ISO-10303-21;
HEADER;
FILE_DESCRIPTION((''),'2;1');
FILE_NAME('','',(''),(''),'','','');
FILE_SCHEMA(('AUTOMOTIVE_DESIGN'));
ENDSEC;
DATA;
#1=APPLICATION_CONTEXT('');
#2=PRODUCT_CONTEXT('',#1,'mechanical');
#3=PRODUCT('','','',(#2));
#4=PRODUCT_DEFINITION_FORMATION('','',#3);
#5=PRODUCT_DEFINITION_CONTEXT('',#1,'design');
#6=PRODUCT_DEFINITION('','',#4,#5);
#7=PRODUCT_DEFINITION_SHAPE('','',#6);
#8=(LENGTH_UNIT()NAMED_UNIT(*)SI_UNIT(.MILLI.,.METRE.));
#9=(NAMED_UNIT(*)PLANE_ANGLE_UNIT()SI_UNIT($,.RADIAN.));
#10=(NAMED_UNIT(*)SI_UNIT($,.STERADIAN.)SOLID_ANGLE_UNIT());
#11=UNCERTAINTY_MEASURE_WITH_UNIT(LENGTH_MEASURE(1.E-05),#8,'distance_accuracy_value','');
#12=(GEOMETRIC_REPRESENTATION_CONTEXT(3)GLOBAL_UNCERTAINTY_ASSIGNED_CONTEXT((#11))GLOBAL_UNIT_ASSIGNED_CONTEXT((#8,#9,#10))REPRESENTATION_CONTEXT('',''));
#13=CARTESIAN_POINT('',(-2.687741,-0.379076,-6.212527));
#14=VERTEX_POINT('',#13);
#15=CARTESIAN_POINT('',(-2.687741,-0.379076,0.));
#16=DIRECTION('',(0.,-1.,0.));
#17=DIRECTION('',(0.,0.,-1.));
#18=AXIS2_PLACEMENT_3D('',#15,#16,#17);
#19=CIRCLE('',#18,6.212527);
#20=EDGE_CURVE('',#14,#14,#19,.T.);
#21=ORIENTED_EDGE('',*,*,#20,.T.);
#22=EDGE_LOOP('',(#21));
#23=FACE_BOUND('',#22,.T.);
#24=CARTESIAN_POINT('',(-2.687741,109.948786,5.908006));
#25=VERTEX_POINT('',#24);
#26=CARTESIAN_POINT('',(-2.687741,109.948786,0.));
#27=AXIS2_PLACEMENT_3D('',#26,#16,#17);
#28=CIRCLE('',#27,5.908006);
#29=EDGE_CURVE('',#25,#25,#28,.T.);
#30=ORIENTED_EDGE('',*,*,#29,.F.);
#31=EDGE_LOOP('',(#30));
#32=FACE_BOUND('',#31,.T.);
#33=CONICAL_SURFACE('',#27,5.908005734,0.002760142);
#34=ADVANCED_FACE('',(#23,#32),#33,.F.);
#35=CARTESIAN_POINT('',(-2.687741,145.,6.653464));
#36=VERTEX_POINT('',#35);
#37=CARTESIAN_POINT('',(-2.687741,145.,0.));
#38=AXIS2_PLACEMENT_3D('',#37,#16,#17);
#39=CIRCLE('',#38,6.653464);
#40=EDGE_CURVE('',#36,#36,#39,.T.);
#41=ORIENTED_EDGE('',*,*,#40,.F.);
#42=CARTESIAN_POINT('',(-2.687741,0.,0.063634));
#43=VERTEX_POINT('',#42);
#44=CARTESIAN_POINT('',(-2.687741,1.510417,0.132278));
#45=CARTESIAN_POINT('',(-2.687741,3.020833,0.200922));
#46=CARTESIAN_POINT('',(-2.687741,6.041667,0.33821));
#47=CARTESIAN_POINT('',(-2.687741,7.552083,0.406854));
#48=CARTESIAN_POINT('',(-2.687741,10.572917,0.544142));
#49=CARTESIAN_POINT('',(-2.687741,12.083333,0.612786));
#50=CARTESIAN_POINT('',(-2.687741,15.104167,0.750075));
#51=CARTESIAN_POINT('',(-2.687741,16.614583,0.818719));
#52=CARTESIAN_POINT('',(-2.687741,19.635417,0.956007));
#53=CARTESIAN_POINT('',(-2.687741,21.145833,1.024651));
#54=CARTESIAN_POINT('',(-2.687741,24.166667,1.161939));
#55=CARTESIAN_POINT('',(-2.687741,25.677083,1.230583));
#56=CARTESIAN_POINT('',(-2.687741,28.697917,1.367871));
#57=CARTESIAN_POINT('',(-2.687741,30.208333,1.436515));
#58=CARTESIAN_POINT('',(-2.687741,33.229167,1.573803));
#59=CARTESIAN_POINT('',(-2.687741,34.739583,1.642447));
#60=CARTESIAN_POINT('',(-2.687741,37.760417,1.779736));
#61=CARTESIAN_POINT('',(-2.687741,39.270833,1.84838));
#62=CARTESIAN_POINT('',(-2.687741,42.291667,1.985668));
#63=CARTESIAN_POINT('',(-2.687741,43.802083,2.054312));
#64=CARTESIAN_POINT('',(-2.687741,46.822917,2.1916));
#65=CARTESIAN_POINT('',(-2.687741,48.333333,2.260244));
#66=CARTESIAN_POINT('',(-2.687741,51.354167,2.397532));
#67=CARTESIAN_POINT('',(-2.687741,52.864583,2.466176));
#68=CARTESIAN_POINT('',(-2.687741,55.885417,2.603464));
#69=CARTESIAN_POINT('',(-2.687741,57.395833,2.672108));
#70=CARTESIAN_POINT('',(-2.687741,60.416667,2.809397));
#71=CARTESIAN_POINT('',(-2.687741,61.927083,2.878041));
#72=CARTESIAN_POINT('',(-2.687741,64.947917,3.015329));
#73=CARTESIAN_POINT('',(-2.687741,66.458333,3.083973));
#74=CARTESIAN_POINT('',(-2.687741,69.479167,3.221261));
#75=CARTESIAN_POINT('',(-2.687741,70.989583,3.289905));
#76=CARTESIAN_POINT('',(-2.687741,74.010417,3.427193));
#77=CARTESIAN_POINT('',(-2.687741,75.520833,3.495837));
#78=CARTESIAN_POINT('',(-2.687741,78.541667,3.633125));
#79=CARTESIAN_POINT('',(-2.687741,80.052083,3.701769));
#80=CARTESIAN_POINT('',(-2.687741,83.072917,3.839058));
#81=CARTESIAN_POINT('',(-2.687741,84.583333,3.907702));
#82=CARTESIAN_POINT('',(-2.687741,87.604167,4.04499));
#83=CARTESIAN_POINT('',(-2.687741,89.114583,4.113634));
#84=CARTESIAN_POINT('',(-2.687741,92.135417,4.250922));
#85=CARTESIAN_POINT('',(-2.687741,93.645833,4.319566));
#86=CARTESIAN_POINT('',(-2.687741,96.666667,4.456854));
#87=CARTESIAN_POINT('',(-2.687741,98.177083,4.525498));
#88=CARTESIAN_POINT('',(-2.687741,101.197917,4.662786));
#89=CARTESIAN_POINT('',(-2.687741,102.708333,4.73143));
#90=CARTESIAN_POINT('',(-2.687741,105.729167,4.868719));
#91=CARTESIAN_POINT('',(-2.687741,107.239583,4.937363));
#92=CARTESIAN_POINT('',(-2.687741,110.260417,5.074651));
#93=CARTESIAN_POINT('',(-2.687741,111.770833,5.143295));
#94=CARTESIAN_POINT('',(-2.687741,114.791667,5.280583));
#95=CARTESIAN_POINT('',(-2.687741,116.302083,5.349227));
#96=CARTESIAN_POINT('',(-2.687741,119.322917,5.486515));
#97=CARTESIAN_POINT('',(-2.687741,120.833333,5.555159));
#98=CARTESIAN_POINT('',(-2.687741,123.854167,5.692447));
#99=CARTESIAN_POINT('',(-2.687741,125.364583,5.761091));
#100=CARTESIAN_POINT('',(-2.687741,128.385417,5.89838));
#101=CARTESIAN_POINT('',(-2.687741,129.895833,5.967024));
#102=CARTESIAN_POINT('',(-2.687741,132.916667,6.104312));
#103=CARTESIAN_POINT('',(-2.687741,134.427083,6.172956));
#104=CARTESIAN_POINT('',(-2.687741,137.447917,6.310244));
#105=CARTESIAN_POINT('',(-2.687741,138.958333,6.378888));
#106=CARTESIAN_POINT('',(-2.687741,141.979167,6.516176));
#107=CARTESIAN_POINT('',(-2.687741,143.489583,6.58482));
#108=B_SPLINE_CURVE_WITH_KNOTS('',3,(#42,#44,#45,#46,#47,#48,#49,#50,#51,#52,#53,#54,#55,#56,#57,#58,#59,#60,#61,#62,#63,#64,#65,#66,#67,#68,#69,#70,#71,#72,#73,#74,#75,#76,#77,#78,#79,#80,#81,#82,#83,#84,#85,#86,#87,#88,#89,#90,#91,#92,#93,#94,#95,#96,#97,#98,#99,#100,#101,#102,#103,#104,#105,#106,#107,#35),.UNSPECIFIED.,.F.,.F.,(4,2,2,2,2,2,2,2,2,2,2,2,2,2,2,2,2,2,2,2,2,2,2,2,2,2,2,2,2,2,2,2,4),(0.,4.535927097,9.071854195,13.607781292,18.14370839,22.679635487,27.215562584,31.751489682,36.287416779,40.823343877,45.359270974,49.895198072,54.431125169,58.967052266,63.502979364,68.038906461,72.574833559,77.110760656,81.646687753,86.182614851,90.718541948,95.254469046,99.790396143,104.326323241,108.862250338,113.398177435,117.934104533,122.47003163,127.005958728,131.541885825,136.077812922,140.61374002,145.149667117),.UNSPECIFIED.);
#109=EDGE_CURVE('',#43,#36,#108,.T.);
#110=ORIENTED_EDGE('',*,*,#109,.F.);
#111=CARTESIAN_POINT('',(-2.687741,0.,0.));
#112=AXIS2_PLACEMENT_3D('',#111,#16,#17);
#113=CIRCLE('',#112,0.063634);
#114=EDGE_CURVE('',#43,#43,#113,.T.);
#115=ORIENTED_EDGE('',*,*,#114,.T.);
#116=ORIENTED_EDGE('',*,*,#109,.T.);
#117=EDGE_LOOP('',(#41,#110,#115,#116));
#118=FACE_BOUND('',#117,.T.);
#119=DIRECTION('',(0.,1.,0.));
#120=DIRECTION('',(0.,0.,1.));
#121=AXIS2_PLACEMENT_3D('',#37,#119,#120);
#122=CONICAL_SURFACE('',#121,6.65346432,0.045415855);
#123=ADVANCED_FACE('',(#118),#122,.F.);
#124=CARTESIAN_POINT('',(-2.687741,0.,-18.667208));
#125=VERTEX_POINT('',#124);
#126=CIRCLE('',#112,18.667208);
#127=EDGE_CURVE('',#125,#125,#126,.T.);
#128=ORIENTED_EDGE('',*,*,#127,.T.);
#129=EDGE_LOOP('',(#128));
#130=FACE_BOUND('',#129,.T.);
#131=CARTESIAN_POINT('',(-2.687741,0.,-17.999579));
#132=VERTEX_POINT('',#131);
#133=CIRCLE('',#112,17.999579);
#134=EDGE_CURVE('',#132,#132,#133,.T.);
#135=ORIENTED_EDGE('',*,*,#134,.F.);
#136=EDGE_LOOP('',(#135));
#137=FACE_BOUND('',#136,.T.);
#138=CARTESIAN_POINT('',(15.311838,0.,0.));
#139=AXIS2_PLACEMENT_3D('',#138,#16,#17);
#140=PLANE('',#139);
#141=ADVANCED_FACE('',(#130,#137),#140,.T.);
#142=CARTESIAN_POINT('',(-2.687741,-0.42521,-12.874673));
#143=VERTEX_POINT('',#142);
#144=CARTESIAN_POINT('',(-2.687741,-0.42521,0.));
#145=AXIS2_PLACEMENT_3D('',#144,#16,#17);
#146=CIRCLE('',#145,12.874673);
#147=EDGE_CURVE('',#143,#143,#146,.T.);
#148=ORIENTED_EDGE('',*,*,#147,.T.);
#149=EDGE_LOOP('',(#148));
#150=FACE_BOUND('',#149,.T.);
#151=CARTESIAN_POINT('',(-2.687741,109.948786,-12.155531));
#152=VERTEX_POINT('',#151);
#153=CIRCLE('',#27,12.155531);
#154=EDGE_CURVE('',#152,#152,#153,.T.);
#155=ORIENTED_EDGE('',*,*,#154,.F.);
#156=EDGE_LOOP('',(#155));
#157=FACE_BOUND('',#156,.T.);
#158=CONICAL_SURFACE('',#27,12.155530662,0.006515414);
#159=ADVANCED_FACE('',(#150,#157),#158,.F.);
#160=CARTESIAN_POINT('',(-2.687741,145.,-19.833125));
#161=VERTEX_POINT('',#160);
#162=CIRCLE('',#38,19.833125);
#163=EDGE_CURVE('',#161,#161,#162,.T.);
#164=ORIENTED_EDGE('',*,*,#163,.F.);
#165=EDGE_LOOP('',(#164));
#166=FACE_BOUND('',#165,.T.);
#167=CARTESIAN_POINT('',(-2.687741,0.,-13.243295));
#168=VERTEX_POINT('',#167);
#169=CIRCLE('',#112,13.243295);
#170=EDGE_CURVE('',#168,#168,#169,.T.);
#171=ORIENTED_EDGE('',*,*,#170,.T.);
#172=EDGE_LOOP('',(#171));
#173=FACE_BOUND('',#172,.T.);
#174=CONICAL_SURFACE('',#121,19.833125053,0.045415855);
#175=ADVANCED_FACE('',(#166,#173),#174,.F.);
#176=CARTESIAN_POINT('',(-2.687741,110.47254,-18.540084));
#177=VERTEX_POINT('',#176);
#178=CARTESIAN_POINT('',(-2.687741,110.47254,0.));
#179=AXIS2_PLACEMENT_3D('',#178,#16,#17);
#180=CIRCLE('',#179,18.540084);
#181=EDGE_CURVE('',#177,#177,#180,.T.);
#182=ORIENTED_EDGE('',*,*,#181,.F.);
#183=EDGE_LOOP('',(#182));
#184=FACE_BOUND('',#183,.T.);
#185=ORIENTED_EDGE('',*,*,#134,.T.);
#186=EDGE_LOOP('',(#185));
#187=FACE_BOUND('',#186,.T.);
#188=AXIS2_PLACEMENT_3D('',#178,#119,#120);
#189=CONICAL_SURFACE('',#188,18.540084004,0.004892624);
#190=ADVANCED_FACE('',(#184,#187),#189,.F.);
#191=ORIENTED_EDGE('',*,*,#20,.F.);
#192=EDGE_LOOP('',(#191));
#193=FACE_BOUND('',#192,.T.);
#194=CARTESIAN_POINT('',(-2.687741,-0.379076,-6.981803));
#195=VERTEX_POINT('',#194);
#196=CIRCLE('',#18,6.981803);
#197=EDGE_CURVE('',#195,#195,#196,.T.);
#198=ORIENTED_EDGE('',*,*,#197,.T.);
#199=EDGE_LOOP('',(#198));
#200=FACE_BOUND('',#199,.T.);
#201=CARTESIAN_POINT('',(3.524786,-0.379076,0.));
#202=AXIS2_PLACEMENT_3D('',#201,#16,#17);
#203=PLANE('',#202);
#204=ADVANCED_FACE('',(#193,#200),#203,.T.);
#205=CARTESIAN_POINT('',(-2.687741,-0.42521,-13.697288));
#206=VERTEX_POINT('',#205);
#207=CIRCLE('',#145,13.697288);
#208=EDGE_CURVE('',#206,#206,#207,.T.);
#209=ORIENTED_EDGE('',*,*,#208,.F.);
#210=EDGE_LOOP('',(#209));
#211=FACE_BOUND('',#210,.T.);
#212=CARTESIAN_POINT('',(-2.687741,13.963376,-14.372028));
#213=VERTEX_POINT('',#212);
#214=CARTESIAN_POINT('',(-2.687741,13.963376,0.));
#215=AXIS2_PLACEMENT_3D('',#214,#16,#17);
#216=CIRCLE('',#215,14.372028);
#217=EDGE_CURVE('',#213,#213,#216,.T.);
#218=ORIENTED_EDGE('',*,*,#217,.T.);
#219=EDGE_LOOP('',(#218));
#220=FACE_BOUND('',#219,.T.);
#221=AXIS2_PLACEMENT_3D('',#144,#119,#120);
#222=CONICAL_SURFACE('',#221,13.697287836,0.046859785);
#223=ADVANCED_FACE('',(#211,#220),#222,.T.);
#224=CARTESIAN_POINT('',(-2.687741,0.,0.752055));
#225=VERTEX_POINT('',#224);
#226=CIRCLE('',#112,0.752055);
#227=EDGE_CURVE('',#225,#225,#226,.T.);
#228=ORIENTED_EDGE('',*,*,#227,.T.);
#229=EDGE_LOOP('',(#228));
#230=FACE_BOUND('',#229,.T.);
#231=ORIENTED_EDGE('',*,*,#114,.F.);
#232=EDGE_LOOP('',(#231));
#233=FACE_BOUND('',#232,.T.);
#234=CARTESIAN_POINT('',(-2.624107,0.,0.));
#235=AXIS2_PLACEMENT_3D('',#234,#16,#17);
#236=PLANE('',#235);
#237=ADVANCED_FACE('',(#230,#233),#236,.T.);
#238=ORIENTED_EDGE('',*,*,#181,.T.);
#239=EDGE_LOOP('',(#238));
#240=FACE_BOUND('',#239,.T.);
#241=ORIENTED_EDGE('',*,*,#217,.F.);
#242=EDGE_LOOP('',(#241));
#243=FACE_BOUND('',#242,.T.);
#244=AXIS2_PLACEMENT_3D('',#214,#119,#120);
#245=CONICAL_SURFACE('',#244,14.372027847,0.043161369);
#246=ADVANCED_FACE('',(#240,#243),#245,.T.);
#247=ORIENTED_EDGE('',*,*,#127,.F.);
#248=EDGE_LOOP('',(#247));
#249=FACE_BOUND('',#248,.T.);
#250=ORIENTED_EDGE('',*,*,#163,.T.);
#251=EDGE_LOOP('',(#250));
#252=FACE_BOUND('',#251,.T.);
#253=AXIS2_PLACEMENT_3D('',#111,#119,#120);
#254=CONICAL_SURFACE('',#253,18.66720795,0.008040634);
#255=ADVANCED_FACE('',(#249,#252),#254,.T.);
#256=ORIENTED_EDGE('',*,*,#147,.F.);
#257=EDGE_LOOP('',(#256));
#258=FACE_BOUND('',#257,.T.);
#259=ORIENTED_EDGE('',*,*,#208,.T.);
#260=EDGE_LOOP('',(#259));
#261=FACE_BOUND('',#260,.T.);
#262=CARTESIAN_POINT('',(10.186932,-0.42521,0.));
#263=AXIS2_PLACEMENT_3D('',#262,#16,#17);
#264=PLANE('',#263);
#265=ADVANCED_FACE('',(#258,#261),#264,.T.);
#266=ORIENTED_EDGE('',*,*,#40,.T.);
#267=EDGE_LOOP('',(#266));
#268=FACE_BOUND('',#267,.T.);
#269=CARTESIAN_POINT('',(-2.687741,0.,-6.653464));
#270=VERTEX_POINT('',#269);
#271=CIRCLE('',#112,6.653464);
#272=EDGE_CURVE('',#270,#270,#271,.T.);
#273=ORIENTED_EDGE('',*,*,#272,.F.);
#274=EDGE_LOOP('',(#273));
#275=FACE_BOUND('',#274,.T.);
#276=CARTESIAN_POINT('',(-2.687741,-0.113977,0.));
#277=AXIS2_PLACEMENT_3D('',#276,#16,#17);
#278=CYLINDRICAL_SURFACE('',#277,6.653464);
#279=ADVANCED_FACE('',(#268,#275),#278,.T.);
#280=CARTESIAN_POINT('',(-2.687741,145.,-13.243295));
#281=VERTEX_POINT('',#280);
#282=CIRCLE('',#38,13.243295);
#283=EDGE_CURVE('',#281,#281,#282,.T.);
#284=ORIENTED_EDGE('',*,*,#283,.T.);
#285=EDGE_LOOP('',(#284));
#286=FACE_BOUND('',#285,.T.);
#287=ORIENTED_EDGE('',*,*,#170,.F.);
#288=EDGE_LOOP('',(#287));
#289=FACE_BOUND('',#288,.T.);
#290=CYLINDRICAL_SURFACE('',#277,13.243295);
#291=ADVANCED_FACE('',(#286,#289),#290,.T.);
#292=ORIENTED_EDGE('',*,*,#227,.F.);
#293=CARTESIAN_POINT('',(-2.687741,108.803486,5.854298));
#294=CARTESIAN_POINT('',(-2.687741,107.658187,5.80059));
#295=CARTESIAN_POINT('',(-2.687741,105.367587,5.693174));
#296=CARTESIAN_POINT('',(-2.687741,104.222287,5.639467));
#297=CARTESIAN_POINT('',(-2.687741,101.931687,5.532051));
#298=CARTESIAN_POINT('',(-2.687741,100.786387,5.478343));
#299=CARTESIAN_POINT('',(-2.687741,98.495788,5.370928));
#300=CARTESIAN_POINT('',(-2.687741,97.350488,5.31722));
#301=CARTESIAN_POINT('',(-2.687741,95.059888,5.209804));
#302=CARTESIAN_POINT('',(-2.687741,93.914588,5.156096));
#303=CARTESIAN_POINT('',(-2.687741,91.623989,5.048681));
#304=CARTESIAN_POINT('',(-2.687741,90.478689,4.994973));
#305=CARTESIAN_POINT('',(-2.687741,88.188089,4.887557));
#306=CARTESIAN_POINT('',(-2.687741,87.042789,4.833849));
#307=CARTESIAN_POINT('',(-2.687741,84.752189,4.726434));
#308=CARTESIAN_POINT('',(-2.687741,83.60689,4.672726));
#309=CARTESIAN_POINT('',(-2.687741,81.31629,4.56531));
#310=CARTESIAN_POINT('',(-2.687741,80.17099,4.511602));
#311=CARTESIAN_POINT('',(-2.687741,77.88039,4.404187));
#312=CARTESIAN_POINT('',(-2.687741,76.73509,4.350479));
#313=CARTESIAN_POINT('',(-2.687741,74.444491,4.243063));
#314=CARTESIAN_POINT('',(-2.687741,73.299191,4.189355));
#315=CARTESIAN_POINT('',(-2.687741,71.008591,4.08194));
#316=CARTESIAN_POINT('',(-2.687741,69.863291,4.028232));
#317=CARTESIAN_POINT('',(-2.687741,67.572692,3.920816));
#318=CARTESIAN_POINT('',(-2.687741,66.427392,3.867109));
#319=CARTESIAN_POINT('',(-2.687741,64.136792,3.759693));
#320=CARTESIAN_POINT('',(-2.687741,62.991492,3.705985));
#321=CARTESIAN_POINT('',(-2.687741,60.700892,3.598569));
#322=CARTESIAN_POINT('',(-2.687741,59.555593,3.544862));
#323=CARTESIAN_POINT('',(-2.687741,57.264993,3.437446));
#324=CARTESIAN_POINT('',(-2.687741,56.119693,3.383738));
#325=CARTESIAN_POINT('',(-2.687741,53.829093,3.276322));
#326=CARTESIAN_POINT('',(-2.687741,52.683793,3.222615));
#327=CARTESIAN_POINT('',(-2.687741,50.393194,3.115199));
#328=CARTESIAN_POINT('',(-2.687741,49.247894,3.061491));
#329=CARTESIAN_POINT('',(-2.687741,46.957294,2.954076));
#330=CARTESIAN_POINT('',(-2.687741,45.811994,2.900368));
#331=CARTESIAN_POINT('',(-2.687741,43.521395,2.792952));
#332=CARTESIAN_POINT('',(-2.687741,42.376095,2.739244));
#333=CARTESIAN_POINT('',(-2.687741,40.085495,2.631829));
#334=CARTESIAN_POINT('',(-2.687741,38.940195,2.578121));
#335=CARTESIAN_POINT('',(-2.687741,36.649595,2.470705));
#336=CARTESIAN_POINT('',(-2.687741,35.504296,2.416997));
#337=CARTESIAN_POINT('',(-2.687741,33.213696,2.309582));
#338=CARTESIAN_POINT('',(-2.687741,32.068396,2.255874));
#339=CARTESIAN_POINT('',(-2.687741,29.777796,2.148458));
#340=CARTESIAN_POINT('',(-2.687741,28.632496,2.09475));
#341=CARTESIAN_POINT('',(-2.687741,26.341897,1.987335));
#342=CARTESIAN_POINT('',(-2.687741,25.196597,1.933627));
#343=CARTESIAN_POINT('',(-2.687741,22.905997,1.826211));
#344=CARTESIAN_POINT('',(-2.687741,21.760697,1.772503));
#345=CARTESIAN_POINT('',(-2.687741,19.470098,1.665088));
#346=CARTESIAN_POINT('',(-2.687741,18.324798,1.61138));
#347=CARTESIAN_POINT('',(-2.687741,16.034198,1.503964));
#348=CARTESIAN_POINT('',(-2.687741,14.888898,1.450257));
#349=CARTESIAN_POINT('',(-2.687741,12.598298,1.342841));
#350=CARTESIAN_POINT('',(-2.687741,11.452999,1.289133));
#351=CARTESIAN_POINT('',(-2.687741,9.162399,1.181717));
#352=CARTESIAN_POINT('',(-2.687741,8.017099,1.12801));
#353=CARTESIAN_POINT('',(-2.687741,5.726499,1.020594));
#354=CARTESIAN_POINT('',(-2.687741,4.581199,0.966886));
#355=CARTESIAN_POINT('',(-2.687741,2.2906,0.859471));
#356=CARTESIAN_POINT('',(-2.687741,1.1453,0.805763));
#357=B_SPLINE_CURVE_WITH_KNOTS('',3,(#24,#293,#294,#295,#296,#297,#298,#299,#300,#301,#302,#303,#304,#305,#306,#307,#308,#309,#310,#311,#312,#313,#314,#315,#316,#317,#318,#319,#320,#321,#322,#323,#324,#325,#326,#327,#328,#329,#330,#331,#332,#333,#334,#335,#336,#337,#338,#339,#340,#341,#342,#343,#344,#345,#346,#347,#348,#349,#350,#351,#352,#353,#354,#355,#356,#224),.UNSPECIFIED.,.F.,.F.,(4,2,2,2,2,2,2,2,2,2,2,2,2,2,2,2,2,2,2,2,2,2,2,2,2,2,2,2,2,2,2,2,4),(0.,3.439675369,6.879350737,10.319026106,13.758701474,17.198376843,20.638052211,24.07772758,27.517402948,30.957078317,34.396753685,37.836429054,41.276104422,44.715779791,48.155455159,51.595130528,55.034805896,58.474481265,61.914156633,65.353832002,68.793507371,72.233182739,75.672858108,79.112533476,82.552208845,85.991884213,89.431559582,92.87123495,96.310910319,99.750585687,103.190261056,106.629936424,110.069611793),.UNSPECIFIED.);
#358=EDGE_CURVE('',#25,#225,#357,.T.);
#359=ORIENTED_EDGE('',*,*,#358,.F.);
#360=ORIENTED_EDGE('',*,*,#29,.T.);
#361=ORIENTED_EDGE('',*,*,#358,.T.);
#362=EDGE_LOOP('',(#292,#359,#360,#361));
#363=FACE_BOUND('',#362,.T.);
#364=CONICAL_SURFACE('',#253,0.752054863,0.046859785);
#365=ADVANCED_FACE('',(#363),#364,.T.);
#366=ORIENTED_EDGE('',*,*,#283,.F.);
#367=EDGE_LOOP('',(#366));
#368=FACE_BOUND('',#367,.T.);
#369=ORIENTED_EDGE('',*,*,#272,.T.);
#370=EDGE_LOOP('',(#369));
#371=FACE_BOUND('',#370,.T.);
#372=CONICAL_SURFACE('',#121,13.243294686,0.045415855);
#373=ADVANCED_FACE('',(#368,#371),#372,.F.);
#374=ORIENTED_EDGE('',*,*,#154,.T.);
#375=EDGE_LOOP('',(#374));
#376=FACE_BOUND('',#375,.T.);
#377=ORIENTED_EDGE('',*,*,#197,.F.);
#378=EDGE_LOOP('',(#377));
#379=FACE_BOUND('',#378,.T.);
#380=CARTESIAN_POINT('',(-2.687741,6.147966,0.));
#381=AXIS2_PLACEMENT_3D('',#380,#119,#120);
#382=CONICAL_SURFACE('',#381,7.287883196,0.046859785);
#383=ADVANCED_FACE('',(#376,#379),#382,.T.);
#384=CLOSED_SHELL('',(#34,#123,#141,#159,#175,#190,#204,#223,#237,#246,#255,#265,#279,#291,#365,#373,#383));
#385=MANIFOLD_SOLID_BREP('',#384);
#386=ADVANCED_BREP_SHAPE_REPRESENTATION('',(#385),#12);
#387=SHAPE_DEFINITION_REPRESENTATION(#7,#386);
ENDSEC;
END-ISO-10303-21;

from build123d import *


with BuildPart() as part:
    # Эскиз1 → Повернуть1 (revolve)
    with BuildSketch(Plane.XY, mode=Mode.PRIVATE) as revolve_1_sk:
        Polygon((-2.624106939, 0), (3.965723428, 145), (3.965723428, 0), (10.555553795, 145), (10.555553795, 0), (17.145384162, 145), (15.979467058, 0), (15.311838216, 0), (15.852343113, 110.47254002), (11.684286956, 13.963376462), (11.009546945, -0.425210076), (10.186932252, -0.425210076), (9.467789771, 109.948786309), (4.600142305, 6.147965775), (4.294062463, -0.379076085), (3.524786138, -0.379076085), (3.220264843, 109.948786309), (-1.935686028, 0), align=None)
    revolve(revolve_1_sk.sketch.rotate(Axis((-2.687740891, -0.11397744, 0), (0, 1, 0)), 90), axis=Axis((-2.687740891, -0.11397744, 0), (0, 1, 0)))


solid = part.part
